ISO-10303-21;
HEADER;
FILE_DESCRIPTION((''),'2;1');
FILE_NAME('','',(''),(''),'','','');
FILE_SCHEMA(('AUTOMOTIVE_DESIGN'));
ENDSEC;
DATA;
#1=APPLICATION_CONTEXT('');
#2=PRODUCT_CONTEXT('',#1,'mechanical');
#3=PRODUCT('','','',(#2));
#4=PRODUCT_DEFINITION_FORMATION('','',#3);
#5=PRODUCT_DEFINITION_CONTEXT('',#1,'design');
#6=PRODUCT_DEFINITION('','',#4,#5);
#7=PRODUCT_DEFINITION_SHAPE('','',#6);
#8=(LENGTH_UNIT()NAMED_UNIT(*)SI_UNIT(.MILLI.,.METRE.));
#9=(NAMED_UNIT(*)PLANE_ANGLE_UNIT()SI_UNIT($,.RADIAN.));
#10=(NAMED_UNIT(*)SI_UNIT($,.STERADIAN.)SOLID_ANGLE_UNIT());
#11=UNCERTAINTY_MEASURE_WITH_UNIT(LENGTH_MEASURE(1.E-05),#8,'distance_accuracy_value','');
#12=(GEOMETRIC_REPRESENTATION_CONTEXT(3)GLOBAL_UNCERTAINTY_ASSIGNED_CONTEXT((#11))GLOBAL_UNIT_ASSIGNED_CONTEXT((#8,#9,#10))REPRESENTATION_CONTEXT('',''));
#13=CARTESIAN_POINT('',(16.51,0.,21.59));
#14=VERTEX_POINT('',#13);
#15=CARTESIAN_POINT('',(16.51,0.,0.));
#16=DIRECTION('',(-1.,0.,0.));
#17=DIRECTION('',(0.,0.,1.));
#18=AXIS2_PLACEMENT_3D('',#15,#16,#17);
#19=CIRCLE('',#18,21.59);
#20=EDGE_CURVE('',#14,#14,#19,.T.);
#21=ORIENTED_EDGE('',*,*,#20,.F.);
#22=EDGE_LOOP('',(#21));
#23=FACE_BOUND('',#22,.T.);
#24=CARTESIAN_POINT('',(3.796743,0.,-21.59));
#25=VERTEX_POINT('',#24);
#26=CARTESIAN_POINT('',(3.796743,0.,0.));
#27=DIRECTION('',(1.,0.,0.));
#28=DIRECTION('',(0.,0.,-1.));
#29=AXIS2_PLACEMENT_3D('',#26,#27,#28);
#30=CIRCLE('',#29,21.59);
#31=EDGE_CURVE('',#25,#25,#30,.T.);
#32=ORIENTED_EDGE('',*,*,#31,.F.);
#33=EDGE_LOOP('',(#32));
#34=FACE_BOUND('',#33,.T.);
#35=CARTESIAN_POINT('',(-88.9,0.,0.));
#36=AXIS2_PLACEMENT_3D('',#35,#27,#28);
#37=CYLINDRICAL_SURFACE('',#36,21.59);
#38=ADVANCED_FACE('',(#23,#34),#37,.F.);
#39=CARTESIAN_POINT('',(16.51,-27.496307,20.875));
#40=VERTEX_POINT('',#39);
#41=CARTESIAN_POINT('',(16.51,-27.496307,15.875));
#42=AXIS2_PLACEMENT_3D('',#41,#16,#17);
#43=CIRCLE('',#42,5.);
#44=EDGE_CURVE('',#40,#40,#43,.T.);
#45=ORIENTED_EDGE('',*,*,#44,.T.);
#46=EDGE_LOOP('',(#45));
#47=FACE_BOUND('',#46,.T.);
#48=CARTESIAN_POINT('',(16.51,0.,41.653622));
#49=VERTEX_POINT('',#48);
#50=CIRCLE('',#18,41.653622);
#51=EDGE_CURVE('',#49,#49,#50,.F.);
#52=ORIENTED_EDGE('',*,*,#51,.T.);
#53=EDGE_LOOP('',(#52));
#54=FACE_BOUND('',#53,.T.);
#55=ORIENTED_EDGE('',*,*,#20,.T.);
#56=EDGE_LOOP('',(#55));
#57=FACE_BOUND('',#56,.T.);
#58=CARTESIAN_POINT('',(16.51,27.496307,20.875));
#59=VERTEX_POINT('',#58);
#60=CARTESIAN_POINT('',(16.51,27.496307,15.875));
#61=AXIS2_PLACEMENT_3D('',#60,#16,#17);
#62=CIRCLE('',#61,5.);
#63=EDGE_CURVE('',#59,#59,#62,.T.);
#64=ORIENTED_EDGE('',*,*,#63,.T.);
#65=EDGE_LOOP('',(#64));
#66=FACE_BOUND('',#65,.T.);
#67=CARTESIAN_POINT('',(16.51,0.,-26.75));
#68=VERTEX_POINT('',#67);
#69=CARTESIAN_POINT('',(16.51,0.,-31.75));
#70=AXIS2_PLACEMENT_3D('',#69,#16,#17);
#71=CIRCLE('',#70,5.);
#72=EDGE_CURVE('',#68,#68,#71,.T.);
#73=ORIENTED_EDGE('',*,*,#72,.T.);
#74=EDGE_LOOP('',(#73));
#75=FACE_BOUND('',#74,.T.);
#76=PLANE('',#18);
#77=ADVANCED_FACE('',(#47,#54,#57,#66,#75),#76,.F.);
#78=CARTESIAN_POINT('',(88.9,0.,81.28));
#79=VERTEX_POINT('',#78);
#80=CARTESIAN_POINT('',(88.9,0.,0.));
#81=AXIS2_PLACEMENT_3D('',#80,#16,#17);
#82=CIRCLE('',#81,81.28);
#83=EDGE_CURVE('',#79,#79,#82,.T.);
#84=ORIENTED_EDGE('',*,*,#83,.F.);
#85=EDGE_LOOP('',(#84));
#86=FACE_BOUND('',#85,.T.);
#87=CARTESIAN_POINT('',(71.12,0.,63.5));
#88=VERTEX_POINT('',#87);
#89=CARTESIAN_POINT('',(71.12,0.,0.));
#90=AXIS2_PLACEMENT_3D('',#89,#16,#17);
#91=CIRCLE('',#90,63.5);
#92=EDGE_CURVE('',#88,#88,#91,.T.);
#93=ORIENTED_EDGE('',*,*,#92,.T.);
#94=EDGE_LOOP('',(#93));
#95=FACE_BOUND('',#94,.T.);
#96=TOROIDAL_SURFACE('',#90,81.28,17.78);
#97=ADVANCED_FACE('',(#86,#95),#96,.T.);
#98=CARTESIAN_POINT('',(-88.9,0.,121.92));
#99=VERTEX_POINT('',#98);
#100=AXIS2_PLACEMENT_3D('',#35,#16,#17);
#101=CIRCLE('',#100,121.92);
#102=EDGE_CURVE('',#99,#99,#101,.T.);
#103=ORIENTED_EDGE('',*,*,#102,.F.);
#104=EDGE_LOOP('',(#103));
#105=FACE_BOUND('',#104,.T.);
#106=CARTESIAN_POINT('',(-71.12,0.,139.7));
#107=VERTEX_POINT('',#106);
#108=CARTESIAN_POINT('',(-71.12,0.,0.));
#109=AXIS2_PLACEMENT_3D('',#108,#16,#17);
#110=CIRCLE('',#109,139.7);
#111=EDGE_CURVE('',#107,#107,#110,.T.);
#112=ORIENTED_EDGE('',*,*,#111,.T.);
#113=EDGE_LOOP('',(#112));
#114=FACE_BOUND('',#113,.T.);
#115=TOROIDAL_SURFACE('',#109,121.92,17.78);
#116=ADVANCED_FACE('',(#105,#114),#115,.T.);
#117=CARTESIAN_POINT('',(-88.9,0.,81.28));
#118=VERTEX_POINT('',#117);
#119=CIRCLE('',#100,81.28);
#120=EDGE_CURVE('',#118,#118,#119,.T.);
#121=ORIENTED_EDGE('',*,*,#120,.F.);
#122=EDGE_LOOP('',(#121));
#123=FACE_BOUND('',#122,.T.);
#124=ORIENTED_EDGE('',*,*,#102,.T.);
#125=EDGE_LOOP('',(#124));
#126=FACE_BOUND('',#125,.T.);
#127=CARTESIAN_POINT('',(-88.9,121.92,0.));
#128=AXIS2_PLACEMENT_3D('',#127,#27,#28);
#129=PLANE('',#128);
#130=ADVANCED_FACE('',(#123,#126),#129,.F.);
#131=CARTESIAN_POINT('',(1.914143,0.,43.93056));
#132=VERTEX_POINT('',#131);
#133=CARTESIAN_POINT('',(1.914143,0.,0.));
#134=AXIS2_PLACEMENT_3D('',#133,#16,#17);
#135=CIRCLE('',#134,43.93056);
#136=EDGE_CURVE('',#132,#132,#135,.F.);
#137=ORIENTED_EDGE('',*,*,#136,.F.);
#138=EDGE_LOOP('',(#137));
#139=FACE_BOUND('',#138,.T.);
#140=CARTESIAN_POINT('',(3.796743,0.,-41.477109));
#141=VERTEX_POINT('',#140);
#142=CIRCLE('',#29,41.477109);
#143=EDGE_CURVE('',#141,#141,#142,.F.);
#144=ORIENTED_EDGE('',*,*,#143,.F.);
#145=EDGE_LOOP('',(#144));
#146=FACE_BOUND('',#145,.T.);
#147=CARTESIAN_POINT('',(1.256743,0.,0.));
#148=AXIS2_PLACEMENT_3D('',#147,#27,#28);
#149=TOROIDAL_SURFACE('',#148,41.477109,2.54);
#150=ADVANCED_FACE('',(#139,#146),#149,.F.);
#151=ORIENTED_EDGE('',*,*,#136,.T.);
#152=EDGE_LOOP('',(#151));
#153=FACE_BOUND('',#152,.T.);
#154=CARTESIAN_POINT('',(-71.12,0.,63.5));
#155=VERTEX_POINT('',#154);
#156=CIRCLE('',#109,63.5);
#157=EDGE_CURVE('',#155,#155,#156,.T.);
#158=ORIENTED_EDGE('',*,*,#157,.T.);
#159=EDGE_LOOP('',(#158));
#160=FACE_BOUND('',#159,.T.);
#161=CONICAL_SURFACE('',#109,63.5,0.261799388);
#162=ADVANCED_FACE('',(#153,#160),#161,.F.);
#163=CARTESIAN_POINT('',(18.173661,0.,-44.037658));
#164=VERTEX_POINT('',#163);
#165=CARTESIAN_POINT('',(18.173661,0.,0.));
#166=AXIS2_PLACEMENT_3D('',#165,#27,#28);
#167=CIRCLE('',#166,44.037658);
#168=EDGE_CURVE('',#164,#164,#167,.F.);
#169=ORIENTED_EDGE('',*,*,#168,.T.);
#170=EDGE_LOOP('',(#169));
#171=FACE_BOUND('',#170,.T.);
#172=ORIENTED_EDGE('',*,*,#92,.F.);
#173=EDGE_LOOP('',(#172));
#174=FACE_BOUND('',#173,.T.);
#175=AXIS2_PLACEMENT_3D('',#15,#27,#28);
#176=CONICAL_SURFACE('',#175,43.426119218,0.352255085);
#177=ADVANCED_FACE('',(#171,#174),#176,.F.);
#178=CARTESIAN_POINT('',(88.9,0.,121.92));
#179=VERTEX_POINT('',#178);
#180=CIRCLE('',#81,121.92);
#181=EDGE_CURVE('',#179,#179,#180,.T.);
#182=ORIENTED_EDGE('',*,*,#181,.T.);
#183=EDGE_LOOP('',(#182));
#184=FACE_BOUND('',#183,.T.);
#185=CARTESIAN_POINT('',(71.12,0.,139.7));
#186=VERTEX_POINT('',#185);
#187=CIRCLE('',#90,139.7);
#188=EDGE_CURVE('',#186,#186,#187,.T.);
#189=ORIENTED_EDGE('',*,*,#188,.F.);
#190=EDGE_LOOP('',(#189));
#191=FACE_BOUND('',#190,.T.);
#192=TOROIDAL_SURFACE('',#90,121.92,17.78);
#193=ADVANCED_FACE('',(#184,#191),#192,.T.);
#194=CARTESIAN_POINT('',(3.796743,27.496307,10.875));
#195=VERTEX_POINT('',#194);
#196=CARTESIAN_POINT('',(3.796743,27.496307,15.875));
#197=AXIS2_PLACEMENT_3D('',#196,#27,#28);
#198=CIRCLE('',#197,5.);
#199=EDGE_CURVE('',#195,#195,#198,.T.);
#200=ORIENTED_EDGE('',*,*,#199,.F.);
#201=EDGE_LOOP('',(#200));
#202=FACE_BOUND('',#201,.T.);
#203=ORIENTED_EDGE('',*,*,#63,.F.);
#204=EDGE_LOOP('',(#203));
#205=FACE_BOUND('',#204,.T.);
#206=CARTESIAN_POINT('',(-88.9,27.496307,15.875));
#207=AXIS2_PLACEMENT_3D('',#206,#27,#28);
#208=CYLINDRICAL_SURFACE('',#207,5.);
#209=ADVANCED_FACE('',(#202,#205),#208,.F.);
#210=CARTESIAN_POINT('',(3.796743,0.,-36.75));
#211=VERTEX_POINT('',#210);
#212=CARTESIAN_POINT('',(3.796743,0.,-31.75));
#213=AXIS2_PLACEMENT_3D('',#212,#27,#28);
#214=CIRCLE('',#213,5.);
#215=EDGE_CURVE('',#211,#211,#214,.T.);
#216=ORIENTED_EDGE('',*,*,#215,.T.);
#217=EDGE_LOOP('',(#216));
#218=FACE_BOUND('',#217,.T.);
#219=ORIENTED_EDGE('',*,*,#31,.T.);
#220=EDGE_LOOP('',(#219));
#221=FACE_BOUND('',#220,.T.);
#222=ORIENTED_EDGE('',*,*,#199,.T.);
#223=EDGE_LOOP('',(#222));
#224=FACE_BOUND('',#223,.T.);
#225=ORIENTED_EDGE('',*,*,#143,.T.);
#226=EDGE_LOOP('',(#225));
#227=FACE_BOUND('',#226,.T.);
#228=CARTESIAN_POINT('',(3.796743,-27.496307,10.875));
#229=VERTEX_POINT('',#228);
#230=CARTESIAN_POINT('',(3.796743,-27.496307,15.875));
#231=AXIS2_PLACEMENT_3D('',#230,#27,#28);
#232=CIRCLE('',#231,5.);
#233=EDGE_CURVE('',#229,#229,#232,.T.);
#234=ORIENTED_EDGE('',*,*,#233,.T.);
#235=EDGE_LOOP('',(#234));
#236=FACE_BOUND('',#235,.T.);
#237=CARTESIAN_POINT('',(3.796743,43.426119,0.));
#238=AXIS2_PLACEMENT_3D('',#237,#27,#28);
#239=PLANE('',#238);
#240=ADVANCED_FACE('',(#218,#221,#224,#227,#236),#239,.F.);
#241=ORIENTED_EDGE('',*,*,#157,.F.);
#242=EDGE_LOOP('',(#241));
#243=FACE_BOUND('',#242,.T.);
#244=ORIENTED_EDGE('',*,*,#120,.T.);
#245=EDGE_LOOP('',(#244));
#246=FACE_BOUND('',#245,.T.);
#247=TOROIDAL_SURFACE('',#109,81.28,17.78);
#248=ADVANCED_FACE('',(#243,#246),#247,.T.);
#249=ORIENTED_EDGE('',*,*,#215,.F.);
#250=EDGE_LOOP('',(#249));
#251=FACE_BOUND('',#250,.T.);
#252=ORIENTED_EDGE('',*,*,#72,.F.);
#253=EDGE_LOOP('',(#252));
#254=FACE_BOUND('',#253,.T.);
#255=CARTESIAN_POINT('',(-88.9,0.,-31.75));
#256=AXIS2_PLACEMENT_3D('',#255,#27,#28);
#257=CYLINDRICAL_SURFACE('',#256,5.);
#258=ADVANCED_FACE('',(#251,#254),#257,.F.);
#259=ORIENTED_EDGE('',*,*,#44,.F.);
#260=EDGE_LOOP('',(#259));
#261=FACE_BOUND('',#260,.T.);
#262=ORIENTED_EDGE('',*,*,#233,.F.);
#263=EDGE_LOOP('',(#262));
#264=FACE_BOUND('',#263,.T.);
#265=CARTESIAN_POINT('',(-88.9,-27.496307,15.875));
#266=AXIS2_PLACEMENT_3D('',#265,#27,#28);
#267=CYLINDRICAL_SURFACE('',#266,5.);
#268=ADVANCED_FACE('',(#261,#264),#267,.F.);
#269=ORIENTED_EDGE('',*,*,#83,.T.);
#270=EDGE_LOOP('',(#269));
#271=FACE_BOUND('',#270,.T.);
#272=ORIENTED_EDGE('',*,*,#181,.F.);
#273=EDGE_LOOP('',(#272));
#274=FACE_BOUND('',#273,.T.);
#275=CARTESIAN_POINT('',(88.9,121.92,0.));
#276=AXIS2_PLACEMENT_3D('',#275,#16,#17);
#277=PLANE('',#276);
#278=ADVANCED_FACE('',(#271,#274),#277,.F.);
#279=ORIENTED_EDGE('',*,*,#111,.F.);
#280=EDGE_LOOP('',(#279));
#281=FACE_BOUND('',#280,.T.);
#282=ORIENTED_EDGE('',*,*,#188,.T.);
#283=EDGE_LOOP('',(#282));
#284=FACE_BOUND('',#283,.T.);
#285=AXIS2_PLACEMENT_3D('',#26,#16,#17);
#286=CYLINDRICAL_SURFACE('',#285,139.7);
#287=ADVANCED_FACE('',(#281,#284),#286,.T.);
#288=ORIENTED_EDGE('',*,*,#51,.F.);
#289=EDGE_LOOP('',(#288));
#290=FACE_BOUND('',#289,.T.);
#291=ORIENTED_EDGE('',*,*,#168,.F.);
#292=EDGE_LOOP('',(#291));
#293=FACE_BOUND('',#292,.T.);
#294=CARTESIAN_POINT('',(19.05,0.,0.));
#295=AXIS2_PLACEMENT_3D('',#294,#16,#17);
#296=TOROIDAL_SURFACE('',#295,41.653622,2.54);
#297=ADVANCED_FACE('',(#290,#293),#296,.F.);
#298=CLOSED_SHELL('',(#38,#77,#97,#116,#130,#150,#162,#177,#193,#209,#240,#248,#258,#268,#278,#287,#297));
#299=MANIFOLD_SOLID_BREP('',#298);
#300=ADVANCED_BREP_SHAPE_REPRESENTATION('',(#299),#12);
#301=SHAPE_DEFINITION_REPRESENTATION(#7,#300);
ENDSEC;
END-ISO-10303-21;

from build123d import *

# Parameters (mm, degrees)
CUT_EXTRUDE2_DEPTH      = 217.645770893
CUT_EXTRUDE2_DEPTH_BACK = 217.645770893
SKETCH3_R               = 21.59
CUT_EXTRUDE3_DEPTH      = 217.645770893
CUT_EXTRUDE3_DEPTH_BACK = 217.645770893
SKETCH4_R               = 5
FILLET1_R               = 2.54


with BuildPart() as part:
    # Sketch1 → Revolve2 (revolve)
    with BuildSketch(Plane.XY, mode=Mode.PRIVATE) as revolve2_sk:
        with BuildLine():
            Line((-71.12, 139.7), (71.12, 139.7))
            ThreePointArc((71.12, 139.7), (83.692358569, 134.492358569), (88.9, 121.92))
            Line((88.9, 121.92), (88.9, 81.28))
            ThreePointArc((88.9, 81.28), (83.692358569, 68.707641431), (71.12, 63.5))
            Line((71.12, 63.5), (16.51, 43.426119218))
            Line((16.51, 43.426119218), (16.51, 0))
            Line((16.51, 0), (3.796742982, 0))
            Line((3.796742982, 0), (3.796742982, 43.426119218))
            Line((3.796742982, 43.426119218), (-71.12, 63.5))
            ThreePointArc((-71.12, 63.5), (-83.692358569, 68.707641431), (-88.9, 81.28))
            Line((-88.9, 81.28), (-88.9, 121.92))
            ThreePointArc((-88.9, 121.92), (-83.692358569, 134.492358569), (-71.12, 139.7))
        make_face()
    revolve(revolve2_sk.sketch.rotate(Axis((3.796742982, 0, 0), (1, 0, 0)), 90), axis=Axis((3.796742982, 0, 0), (1, 0, 0)))

    # Sketch3 → Cut-Extrude2 (cut, two sides: drawn at the far end of the back side and taken through both)
    with BuildSketch(Plane(origin=(0, 0, 0), x_dir=(0, 0, -1), z_dir=(1, 0, 0)).offset(-CUT_EXTRUDE2_DEPTH_BACK)):
        Circle(SKETCH3_R)
    extrude(amount=CUT_EXTRUDE2_DEPTH + CUT_EXTRUDE2_DEPTH_BACK, mode=Mode.SUBTRACT)

    # Sketch4 → Cut-Extrude3 (cut, two sides: drawn at the far end of the back side and taken through both)
    with BuildSketch(Plane(origin=(0, 0, 0), x_dir=(0, 0, -1), z_dir=(1, 0, 0)).offset(-CUT_EXTRUDE3_DEPTH_BACK)):
        with Locations((31.75, 0)):
            Circle(SKETCH4_R)
        with Locations((-15.875, -27.49630657)):
            Circle(SKETCH4_R)
        with Locations((-15.875, 27.49630657)):
            Circle(SKETCH4_R)
    extrude(amount=CUT_EXTRUDE3_DEPTH + CUT_EXTRUDE3_DEPTH_BACK, mode=Mode.SUBTRACT)

    # Fillet1
    fillet1_edges = [part.edges().sort_by_distance(p)[0] for p in [
        (16.51, 0, -43.426119218),
        (3.796742982, 0, -43.426119218),
    ]]
    fillet(fillet1_edges, radius=FILLET1_R)


solid = part.part
